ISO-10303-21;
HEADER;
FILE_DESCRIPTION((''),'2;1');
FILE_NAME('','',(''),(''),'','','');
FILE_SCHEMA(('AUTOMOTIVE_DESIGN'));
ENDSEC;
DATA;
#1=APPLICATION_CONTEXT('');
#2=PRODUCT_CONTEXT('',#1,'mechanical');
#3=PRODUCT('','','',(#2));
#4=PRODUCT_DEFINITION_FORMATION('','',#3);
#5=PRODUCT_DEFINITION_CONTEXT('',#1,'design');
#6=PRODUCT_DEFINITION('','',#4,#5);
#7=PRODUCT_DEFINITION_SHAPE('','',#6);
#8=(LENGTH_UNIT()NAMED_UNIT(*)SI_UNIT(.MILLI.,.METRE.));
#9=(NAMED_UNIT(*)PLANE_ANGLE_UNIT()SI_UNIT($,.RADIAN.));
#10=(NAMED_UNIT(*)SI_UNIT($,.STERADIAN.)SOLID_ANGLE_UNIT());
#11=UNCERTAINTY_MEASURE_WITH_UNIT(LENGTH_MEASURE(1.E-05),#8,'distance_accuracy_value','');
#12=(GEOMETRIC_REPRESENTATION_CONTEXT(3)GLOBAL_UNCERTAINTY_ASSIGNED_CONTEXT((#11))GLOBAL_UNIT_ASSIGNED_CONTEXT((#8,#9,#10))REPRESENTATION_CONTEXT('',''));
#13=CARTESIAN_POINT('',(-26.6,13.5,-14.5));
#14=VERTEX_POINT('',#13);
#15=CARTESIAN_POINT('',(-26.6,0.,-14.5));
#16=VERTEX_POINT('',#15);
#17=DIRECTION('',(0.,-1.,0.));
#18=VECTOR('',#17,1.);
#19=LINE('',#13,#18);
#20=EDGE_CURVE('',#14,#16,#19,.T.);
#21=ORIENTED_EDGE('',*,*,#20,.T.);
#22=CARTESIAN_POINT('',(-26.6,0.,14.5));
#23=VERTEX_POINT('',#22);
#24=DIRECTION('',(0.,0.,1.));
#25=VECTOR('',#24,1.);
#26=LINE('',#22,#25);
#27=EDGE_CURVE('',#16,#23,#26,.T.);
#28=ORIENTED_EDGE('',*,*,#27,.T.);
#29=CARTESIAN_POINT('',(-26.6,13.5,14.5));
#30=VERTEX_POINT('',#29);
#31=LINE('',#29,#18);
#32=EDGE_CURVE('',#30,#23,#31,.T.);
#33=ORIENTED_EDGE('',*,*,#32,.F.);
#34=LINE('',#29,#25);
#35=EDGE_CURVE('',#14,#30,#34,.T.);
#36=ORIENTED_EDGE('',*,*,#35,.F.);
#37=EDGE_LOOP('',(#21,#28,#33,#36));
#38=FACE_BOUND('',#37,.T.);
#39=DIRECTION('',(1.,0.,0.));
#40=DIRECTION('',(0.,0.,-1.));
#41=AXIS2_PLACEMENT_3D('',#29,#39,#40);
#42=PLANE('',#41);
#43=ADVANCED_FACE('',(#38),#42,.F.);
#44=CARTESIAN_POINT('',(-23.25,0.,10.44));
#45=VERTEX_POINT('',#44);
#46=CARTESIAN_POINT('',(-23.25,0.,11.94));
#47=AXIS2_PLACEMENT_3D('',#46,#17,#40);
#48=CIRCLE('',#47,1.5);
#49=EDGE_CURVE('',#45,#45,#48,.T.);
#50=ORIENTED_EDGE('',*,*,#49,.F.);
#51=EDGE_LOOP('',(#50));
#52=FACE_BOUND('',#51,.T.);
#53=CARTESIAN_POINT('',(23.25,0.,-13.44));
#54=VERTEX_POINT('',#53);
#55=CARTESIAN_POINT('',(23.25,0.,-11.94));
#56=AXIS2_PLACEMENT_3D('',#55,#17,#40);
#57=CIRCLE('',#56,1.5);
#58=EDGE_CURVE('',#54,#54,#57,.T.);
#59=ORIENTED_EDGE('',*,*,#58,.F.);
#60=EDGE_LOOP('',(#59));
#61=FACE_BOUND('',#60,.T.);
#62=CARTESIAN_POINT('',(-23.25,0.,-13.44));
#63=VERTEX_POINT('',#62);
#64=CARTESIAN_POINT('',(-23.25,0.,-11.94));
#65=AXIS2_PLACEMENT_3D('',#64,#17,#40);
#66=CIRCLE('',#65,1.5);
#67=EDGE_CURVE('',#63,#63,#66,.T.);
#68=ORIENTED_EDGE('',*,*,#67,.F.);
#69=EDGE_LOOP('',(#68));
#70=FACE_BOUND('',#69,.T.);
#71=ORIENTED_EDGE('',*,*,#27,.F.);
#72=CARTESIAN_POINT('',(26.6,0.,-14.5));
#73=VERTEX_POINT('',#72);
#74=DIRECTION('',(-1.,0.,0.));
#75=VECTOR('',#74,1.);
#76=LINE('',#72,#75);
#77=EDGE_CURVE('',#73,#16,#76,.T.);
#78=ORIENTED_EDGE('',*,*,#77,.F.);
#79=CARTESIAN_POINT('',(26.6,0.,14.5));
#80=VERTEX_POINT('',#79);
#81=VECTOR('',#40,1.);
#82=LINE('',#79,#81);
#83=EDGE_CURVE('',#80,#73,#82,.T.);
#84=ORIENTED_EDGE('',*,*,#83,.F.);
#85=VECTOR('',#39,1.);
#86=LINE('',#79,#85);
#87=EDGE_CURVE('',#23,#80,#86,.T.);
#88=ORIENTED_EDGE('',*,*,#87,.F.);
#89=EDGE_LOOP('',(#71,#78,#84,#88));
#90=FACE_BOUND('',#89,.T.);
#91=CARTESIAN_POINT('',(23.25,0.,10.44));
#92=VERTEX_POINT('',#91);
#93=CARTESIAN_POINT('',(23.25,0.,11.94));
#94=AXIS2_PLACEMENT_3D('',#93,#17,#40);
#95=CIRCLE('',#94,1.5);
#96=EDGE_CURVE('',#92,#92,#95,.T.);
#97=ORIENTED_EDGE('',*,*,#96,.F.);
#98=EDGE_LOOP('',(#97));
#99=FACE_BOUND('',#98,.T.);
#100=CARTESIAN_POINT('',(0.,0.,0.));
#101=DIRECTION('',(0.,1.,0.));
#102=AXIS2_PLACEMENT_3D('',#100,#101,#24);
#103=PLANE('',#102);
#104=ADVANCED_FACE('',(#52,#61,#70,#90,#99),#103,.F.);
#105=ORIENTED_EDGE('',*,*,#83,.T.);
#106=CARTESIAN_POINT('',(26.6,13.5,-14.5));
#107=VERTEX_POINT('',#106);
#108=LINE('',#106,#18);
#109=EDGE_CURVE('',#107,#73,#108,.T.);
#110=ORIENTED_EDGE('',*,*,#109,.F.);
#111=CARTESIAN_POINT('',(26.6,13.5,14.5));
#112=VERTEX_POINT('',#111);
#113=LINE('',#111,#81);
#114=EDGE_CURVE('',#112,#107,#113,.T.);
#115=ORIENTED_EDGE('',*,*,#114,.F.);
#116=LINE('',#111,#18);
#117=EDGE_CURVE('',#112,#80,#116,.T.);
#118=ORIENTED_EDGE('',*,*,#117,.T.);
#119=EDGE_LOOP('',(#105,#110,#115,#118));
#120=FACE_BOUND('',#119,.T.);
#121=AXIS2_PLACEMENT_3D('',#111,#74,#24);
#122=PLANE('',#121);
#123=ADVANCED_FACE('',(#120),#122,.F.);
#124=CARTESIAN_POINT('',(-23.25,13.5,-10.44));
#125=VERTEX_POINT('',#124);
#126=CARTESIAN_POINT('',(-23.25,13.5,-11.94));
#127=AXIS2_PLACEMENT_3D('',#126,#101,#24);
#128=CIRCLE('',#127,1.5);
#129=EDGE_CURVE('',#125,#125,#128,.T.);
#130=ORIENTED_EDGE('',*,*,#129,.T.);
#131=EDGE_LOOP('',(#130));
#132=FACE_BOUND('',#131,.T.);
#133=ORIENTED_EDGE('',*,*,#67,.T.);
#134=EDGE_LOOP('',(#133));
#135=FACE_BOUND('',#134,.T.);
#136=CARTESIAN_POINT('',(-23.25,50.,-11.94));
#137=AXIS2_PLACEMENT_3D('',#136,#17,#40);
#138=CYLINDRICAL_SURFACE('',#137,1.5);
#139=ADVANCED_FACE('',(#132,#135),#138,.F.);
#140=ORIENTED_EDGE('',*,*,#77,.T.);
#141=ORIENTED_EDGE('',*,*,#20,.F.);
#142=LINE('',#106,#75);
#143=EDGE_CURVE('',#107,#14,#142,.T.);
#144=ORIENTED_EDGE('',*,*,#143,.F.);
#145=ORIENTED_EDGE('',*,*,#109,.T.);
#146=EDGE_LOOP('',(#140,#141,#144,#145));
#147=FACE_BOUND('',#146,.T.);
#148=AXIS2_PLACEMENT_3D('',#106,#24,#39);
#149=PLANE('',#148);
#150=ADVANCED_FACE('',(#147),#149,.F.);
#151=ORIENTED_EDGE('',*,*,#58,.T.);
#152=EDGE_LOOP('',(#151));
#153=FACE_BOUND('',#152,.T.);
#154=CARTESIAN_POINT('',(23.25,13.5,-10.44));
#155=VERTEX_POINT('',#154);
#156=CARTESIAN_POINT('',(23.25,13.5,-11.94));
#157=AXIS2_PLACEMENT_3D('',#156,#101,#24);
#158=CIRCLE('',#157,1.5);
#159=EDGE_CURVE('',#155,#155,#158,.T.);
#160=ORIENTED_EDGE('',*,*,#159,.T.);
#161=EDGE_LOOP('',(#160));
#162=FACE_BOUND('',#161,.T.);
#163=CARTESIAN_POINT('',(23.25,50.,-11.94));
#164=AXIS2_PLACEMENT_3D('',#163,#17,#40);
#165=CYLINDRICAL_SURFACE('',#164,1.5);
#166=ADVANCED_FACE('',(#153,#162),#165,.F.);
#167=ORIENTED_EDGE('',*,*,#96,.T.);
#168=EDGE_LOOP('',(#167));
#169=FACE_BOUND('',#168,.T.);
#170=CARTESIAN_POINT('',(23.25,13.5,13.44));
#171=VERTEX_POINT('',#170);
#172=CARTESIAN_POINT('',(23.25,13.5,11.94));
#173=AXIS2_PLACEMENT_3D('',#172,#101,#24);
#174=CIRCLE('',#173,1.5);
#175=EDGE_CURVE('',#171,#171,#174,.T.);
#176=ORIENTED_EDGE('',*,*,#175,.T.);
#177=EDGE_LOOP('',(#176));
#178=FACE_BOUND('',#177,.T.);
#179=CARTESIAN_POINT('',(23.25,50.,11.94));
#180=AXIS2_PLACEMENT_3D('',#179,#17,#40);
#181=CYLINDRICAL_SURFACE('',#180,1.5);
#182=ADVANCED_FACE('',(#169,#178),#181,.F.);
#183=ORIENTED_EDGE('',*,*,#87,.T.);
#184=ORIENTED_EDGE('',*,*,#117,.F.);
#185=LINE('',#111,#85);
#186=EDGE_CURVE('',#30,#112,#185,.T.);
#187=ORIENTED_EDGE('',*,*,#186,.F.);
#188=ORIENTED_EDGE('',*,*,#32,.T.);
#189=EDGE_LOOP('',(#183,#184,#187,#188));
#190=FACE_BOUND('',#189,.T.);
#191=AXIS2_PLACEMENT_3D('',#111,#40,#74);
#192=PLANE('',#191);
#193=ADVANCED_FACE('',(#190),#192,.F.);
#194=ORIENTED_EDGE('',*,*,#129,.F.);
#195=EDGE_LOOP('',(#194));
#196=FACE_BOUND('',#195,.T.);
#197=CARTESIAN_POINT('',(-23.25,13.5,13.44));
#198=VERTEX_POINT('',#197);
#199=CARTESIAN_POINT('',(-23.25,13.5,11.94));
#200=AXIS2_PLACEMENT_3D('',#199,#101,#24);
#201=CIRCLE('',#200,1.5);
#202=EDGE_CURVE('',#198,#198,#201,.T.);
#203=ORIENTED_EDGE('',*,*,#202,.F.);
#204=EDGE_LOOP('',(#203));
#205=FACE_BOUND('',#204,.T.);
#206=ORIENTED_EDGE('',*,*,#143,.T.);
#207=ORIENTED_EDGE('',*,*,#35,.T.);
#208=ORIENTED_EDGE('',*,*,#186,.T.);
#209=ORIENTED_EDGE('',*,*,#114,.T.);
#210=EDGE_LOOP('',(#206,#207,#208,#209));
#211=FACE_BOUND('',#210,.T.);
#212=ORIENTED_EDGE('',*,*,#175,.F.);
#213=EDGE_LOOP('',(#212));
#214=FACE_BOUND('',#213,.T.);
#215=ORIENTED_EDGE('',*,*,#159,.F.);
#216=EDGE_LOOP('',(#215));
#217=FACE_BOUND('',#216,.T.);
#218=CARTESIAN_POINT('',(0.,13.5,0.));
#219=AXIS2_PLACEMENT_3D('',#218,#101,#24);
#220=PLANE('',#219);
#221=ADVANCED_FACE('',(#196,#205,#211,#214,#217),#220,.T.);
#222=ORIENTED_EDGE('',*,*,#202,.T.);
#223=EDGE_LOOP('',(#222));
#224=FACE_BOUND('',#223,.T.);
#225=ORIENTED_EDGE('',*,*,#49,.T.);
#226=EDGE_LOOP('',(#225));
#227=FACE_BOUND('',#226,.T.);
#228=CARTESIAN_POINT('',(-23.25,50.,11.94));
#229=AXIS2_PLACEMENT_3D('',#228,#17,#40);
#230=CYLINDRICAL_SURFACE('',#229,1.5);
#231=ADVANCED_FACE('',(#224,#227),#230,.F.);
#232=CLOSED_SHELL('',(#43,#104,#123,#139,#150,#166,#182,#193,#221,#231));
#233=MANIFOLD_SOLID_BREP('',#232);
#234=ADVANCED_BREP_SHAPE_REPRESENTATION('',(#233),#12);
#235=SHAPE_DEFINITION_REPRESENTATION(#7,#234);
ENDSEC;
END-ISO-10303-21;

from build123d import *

# Parameters (mm, degrees)
SKETCH_1_W          = 53.2
SKETCH_1_H          = 29
EXTRUDE_1_DEPTH     = 13.5
SKETCH_2_R          = 1.5
CUT_EXTRUDE_1_DEPTH = 50


with BuildPart() as part:
    # Эскиз1 → Бобышка-Вытянуть1 (new body)
    with BuildSketch(Plane(origin=(0, 0, 0), x_dir=(1, 0, 0), z_dir=(0, 1, 0))):
        Rectangle(SKETCH_1_W, SKETCH_1_H)
    extrude(amount=EXTRUDE_1_DEPTH)

    # Эскиз2 → Вырез-Вытянуть1 (cut)
    with BuildSketch(Plane.XZ):
        with Locations(Location((-23.25, 11.94, 0), (0, 0, 270))):
            Circle(SKETCH_2_R)
        with Locations(Location((23.25, 11.94, 0), (0, 0, 270))):
            Circle(SKETCH_2_R)
        with Locations(Location((23.25, -11.94, 0), (0, 0, 270))):
            Circle(SKETCH_2_R)
        with Locations(Location((-23.25, -11.94, 0), (0, 0, 270))):
            Circle(SKETCH_2_R)
    extrude(amount=-CUT_EXTRUDE_1_DEPTH, mode=Mode.SUBTRACT)


solid = part.part
